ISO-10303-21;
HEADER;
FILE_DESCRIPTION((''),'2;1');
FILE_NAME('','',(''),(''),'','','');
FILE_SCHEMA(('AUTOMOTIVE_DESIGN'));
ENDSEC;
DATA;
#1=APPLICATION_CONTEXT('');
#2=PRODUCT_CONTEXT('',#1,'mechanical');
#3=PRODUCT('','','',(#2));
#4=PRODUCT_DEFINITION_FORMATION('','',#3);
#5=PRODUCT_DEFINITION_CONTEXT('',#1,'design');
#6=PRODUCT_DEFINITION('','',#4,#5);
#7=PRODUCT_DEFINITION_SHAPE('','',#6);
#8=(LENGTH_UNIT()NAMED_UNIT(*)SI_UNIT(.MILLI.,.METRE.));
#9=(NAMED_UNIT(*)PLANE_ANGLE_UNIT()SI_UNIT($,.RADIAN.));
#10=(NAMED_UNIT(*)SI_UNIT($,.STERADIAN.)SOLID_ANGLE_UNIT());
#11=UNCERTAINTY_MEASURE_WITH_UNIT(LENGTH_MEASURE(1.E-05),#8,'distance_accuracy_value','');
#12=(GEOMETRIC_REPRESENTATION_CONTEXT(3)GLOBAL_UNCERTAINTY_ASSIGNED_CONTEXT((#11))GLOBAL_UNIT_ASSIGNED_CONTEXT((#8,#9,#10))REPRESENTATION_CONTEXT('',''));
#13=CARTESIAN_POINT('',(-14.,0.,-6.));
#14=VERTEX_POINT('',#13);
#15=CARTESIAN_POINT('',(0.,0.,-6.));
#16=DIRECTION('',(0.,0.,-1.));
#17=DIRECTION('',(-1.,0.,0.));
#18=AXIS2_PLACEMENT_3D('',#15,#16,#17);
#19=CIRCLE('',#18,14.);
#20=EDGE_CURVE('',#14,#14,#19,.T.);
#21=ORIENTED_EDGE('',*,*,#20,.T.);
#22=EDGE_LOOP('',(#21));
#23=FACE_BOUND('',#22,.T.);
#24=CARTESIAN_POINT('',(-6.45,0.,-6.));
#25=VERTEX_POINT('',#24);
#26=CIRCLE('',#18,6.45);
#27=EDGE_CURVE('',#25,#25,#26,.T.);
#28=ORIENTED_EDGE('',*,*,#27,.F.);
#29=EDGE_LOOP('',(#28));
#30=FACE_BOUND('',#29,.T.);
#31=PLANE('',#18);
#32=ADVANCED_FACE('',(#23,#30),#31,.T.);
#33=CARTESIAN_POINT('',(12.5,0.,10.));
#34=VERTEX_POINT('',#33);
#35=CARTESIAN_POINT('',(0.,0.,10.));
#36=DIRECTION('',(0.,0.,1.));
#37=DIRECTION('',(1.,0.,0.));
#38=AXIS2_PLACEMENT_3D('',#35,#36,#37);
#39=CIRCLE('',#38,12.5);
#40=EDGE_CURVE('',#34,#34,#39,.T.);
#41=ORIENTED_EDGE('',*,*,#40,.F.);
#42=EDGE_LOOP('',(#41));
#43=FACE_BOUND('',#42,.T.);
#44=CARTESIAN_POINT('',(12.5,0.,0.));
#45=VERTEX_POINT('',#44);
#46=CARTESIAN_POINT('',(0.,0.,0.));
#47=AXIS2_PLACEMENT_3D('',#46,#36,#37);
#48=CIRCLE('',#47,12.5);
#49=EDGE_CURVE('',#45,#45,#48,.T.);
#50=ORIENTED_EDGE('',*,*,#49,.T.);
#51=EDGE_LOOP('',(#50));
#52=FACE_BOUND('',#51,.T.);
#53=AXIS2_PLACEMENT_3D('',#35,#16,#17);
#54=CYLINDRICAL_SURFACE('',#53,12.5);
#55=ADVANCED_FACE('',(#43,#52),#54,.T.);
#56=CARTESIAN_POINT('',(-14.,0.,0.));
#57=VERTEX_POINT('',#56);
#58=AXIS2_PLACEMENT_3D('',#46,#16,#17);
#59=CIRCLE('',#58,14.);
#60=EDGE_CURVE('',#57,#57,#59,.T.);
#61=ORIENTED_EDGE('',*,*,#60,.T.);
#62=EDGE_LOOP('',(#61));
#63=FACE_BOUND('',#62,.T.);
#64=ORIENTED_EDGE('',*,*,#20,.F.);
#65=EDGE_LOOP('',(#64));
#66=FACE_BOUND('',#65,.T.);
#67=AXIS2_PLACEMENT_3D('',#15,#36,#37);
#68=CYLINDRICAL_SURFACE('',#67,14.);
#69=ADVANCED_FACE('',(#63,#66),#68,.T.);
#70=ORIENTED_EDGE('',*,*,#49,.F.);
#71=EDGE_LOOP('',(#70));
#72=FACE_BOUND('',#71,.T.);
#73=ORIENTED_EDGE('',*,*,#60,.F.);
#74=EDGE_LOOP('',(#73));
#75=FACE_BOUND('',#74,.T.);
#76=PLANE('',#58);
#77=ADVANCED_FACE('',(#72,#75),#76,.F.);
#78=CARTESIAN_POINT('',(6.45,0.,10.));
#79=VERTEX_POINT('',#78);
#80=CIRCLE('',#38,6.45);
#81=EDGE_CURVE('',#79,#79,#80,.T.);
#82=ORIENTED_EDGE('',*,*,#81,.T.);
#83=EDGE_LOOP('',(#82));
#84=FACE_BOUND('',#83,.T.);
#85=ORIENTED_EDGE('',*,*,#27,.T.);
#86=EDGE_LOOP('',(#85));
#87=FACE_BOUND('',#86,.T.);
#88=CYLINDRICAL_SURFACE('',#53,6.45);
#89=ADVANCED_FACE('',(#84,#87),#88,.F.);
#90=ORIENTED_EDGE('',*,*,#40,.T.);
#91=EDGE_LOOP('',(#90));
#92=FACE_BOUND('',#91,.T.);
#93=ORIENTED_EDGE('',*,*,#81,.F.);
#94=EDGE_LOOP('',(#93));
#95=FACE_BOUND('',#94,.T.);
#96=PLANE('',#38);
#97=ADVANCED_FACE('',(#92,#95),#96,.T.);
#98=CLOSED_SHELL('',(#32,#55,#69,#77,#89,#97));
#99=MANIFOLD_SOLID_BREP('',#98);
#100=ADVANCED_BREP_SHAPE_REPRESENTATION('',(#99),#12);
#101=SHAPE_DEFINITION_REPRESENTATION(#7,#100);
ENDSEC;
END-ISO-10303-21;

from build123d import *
from build123d.topology import SkipClean

# Parameters (mm, degrees)
SKETCH_1_R      = 12.5
SKETCH_1_R_2    = 6.45
EXTRUDE_1_DEPTH = 10
EXTRUDE_START   = 6
SKETCH_2_R      = 14
SKETCH_2_R_2    = 6.45
EXTRUDE_2_DEPTH = 6


with BuildPart() as part:
    # 草图1 → 凸台-拉伸1 (new body)
    with BuildSketch(Plane.XY):
        Circle(SKETCH_1_R)
        Circle(SKETCH_1_R_2, mode=Mode.SUBTRACT)
    extrude(amount=EXTRUDE_1_DEPTH)

    # 草图2 → 凸台-拉伸2 (add)
    with SkipClean():  # the faces are left unmerged after this step: merging them gives an invalid solid
        with BuildSketch(Plane(origin=(0, 0, 0), x_dir=(-1, 0, 0), z_dir=(0, 0, -1)).offset(EXTRUDE_START)):
            Circle(SKETCH_2_R)
            Circle(SKETCH_2_R_2, mode=Mode.SUBTRACT)
        extrude(amount=-EXTRUDE_2_DEPTH)


solid = part.part
